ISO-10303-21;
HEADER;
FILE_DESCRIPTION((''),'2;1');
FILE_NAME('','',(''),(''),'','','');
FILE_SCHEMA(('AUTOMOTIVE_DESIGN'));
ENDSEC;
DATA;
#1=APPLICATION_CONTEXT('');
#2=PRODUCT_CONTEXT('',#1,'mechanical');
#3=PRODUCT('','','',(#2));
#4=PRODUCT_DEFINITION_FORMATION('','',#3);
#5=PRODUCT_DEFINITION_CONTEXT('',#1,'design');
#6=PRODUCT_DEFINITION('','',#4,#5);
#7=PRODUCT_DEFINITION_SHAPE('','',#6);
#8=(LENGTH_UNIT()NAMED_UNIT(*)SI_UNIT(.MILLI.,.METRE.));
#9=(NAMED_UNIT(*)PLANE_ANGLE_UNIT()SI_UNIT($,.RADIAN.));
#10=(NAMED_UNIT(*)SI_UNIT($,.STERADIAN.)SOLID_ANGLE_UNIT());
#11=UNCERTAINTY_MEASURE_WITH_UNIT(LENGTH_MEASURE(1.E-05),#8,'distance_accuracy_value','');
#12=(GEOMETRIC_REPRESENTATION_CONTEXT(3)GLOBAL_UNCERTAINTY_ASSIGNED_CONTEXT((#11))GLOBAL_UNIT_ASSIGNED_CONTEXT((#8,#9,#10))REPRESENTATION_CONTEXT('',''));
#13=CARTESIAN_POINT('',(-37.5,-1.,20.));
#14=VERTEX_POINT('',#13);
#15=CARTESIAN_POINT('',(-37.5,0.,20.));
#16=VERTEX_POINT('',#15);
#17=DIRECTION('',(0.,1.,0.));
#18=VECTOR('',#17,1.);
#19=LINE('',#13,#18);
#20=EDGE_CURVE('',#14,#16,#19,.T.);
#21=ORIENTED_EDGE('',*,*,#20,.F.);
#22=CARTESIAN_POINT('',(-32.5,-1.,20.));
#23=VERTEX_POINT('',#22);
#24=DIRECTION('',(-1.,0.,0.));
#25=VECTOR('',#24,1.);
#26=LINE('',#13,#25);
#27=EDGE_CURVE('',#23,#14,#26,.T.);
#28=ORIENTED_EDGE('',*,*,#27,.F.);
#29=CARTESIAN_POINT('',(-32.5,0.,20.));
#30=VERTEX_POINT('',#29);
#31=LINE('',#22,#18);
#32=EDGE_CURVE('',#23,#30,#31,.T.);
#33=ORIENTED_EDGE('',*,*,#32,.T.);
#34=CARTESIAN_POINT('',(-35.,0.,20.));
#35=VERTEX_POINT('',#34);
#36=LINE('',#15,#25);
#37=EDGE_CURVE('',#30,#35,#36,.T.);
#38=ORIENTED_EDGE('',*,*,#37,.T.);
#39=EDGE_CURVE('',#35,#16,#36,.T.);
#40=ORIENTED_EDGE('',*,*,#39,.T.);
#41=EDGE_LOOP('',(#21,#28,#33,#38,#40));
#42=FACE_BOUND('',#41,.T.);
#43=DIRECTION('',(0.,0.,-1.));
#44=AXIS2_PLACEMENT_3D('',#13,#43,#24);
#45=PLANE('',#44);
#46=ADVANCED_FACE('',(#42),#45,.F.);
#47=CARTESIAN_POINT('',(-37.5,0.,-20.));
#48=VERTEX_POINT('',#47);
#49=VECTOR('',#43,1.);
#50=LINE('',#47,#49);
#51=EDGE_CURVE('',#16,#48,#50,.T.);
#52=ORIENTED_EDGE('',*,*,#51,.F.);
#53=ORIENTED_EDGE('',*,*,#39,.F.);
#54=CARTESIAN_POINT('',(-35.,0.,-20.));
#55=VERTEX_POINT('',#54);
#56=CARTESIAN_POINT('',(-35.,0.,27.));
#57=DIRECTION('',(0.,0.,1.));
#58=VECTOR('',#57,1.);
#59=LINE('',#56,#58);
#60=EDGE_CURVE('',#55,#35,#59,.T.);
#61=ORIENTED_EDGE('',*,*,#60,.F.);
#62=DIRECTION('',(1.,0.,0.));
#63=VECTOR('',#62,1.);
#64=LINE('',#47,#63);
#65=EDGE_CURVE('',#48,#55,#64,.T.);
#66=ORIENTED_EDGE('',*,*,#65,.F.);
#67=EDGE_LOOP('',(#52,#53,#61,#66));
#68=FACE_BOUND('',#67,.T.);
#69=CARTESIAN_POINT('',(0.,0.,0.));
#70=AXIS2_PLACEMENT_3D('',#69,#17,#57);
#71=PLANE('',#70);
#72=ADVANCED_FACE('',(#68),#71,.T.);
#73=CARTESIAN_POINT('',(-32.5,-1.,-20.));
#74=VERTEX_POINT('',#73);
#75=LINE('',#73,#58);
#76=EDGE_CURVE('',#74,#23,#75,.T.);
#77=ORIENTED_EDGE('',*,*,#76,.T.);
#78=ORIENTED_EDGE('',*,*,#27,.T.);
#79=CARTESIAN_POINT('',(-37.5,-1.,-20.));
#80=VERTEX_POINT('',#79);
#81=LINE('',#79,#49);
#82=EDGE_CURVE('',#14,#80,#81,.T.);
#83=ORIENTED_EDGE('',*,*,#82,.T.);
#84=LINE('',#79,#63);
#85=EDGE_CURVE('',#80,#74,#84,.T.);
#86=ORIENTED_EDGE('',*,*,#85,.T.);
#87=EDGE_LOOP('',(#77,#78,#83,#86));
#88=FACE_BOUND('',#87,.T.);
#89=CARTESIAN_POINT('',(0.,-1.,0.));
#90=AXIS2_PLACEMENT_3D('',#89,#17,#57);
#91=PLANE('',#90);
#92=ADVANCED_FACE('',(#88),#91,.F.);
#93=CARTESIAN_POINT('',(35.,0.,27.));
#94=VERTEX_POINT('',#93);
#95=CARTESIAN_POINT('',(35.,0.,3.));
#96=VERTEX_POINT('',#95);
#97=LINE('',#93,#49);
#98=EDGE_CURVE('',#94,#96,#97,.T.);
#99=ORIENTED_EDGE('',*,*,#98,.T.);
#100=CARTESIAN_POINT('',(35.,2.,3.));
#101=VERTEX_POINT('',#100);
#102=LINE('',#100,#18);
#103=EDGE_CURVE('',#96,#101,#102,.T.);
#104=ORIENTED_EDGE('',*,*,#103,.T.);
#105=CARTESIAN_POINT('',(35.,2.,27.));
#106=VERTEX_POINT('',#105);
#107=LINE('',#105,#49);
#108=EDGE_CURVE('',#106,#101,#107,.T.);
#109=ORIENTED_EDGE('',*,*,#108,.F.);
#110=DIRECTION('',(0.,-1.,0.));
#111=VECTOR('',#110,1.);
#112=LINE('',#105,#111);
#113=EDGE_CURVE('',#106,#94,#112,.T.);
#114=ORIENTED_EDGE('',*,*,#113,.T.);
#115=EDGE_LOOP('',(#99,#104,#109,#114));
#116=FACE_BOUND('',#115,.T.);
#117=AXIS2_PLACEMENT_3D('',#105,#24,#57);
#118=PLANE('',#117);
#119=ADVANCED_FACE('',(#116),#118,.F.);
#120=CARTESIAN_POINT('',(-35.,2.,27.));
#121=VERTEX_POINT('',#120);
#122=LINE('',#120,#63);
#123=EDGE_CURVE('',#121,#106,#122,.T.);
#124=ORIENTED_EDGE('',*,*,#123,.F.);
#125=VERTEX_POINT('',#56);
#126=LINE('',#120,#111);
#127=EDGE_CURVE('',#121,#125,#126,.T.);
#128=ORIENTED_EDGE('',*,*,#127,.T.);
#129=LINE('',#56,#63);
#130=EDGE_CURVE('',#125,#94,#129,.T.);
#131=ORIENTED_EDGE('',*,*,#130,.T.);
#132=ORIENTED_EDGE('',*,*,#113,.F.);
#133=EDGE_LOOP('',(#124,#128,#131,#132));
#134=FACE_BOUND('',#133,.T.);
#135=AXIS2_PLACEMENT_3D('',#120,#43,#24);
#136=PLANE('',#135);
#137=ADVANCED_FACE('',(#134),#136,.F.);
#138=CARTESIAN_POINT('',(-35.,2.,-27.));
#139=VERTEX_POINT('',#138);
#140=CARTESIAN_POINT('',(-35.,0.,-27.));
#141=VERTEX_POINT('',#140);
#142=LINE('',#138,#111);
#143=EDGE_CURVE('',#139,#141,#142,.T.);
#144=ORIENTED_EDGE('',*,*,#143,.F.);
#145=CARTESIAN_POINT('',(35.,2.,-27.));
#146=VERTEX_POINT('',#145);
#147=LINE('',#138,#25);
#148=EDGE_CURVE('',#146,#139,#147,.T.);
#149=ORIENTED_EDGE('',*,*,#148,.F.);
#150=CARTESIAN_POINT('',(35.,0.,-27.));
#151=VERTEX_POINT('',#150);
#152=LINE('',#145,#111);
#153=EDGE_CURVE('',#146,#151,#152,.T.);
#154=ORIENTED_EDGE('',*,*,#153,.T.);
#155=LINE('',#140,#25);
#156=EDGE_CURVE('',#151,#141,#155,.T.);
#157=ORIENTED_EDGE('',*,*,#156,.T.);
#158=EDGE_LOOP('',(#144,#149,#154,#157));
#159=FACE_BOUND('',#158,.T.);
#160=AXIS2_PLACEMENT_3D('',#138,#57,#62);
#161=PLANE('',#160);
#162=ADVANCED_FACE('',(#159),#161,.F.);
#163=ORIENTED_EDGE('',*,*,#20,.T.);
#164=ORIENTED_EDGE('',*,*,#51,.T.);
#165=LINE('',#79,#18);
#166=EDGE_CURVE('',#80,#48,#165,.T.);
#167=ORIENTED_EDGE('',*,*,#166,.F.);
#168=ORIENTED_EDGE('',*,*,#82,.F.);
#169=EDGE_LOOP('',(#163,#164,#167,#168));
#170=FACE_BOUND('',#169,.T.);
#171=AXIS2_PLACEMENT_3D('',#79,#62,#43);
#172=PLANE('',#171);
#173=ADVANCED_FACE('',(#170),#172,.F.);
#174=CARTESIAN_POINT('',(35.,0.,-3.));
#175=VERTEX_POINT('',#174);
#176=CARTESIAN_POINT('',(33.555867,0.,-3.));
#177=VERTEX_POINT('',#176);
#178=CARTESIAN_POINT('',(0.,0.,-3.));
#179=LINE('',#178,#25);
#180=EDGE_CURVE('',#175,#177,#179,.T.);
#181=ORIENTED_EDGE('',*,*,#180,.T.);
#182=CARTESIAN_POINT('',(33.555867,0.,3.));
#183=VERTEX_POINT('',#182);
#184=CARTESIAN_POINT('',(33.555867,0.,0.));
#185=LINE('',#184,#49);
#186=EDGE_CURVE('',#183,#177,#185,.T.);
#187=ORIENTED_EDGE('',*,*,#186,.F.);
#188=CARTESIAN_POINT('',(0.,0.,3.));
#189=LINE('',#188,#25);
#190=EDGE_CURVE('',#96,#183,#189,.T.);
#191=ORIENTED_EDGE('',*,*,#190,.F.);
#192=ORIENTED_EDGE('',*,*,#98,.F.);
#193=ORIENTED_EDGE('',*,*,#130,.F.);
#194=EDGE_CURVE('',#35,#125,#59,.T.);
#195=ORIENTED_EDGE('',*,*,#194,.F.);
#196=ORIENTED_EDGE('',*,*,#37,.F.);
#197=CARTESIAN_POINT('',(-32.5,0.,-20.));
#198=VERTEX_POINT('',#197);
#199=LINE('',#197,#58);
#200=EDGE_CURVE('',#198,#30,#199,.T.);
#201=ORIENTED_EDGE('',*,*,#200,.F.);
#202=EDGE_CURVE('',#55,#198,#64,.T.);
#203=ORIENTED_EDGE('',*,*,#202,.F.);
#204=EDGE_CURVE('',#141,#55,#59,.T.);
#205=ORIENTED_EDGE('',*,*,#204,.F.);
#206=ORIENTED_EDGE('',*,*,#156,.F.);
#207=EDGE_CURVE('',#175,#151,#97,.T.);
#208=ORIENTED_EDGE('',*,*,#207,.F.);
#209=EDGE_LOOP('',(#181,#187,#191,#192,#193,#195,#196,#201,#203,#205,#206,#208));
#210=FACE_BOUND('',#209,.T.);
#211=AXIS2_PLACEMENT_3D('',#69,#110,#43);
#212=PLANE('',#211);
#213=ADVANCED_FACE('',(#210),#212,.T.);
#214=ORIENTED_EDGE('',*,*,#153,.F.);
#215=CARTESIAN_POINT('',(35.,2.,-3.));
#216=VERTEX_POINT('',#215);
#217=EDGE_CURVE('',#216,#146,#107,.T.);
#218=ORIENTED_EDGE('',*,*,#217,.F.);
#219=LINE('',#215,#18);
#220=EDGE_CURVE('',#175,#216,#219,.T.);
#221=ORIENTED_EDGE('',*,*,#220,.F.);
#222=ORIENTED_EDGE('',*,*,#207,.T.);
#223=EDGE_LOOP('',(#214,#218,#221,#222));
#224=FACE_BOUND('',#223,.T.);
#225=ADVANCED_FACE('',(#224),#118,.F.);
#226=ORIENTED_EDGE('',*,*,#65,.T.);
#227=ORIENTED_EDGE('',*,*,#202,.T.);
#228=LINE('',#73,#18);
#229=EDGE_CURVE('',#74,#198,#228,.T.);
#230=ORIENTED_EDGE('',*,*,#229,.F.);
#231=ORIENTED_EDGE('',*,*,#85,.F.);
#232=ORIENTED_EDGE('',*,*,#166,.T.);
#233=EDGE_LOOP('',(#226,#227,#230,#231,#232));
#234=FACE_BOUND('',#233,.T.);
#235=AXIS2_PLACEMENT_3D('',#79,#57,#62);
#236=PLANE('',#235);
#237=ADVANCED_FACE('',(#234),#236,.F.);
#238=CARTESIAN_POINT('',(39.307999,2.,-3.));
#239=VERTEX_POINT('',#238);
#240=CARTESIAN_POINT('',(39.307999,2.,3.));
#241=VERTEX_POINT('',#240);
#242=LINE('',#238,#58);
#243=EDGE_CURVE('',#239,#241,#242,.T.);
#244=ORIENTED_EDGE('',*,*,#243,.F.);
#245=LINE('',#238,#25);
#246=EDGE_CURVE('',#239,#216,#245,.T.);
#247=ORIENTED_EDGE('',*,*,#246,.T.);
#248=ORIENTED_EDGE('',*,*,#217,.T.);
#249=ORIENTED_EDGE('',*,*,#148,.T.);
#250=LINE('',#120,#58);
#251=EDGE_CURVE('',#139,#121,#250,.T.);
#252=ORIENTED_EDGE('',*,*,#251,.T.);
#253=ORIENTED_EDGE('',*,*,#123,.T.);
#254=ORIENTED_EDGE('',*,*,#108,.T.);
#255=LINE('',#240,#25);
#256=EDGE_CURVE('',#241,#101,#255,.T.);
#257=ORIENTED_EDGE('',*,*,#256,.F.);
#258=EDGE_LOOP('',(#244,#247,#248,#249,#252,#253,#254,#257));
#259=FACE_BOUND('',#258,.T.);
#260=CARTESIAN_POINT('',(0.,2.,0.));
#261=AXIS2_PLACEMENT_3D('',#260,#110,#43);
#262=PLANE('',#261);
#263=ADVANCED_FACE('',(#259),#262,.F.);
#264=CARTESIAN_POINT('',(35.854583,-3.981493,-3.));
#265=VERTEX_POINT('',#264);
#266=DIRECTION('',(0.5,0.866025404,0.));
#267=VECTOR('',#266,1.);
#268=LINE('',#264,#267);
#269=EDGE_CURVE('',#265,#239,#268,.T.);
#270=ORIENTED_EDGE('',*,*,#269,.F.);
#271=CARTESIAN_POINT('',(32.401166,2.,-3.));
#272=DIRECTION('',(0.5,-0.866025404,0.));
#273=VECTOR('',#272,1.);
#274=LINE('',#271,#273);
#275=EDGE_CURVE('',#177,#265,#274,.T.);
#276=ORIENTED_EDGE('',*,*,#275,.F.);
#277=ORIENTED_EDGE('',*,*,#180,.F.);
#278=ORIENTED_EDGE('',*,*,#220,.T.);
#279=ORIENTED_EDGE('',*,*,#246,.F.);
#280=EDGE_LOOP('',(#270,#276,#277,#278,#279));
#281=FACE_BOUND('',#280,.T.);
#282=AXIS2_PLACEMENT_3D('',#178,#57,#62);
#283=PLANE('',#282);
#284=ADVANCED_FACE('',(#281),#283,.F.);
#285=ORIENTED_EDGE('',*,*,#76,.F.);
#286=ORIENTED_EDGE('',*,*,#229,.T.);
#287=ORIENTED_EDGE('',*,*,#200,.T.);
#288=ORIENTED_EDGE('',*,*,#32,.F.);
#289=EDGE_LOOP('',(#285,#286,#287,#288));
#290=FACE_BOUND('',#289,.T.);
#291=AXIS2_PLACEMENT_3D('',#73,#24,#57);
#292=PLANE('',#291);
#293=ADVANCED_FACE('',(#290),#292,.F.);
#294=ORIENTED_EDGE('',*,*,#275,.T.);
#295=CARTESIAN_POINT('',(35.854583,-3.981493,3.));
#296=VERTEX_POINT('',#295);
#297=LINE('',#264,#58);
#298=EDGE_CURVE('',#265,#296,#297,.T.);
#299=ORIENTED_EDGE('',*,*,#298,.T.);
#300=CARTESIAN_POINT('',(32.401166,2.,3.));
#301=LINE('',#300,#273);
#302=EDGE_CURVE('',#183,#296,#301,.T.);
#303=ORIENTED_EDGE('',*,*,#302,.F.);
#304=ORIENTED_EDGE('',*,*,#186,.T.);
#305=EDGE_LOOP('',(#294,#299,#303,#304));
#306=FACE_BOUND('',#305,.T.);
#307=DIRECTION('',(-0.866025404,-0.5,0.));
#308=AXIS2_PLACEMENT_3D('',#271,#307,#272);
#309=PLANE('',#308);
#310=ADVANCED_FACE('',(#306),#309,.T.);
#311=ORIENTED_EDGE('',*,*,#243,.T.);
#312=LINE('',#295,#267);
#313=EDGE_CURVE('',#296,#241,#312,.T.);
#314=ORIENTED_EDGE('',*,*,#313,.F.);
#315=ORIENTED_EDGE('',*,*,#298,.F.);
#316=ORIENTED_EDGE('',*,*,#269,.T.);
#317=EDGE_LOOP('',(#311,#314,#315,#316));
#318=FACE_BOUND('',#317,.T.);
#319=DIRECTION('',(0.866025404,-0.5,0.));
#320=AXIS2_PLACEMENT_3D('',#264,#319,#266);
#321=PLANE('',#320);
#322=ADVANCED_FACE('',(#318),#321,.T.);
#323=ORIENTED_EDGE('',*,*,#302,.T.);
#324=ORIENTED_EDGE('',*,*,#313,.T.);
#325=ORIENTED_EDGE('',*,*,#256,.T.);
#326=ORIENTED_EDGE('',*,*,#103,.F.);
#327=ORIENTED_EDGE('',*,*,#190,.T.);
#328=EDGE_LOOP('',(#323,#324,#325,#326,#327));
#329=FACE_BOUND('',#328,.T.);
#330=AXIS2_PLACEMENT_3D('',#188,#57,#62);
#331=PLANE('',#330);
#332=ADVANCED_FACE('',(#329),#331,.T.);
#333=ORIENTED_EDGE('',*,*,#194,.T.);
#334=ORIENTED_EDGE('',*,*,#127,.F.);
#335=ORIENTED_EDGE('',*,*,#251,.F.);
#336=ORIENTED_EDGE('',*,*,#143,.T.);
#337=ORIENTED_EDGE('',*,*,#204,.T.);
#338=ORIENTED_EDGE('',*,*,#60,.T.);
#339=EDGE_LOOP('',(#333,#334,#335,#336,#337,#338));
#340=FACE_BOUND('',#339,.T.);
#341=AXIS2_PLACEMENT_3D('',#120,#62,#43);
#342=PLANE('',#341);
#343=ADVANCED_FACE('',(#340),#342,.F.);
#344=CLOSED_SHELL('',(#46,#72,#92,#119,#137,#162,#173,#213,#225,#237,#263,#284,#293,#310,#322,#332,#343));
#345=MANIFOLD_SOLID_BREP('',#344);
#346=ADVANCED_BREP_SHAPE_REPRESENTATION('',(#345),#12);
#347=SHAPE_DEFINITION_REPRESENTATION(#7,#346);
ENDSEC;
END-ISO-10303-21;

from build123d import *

# Parameters (mm, degrees)
SKETCH1_W           = 70
SKETCH1_H           = 54
BOSS_EXTRUDE1_DEPTH = 2
SKETCH2_W           = 5
SKETCH2_H           = 40
BOSS_EXTRUDE2_DEPTH = 1
BOSS_EXTRUDE3_START = -24
BOSS_EXTRUDE3_DEPTH = 6


with BuildPart() as part:
    # Sketch1 → Boss-Extrude1 (new body)
    with BuildSketch(Plane(origin=(0, 0, 0), x_dir=(1, 0, 0), z_dir=(0, 1, 0))):
        Rectangle(SKETCH1_W, SKETCH1_H)
    extrude(amount=BOSS_EXTRUDE1_DEPTH)

    # Sketch2 → Boss-Extrude2 (add)
    with BuildSketch(Plane.XZ):
        with Locations((-35, 0)):
            Rectangle(SKETCH2_W, SKETCH2_H)
    extrude(amount=BOSS_EXTRUDE2_DEPTH)

    # Sketch3 → Boss-Extrude3 (add)
    with BuildSketch(Plane.XY.offset(27).offset(BOSS_EXTRUDE3_START)):
        Polygon((35.85458287, -3.981493023), (39.307999477, 2), (32.401166263, 2), align=None)
    extrude(amount=-BOSS_EXTRUDE3_DEPTH)


solid = part.part
